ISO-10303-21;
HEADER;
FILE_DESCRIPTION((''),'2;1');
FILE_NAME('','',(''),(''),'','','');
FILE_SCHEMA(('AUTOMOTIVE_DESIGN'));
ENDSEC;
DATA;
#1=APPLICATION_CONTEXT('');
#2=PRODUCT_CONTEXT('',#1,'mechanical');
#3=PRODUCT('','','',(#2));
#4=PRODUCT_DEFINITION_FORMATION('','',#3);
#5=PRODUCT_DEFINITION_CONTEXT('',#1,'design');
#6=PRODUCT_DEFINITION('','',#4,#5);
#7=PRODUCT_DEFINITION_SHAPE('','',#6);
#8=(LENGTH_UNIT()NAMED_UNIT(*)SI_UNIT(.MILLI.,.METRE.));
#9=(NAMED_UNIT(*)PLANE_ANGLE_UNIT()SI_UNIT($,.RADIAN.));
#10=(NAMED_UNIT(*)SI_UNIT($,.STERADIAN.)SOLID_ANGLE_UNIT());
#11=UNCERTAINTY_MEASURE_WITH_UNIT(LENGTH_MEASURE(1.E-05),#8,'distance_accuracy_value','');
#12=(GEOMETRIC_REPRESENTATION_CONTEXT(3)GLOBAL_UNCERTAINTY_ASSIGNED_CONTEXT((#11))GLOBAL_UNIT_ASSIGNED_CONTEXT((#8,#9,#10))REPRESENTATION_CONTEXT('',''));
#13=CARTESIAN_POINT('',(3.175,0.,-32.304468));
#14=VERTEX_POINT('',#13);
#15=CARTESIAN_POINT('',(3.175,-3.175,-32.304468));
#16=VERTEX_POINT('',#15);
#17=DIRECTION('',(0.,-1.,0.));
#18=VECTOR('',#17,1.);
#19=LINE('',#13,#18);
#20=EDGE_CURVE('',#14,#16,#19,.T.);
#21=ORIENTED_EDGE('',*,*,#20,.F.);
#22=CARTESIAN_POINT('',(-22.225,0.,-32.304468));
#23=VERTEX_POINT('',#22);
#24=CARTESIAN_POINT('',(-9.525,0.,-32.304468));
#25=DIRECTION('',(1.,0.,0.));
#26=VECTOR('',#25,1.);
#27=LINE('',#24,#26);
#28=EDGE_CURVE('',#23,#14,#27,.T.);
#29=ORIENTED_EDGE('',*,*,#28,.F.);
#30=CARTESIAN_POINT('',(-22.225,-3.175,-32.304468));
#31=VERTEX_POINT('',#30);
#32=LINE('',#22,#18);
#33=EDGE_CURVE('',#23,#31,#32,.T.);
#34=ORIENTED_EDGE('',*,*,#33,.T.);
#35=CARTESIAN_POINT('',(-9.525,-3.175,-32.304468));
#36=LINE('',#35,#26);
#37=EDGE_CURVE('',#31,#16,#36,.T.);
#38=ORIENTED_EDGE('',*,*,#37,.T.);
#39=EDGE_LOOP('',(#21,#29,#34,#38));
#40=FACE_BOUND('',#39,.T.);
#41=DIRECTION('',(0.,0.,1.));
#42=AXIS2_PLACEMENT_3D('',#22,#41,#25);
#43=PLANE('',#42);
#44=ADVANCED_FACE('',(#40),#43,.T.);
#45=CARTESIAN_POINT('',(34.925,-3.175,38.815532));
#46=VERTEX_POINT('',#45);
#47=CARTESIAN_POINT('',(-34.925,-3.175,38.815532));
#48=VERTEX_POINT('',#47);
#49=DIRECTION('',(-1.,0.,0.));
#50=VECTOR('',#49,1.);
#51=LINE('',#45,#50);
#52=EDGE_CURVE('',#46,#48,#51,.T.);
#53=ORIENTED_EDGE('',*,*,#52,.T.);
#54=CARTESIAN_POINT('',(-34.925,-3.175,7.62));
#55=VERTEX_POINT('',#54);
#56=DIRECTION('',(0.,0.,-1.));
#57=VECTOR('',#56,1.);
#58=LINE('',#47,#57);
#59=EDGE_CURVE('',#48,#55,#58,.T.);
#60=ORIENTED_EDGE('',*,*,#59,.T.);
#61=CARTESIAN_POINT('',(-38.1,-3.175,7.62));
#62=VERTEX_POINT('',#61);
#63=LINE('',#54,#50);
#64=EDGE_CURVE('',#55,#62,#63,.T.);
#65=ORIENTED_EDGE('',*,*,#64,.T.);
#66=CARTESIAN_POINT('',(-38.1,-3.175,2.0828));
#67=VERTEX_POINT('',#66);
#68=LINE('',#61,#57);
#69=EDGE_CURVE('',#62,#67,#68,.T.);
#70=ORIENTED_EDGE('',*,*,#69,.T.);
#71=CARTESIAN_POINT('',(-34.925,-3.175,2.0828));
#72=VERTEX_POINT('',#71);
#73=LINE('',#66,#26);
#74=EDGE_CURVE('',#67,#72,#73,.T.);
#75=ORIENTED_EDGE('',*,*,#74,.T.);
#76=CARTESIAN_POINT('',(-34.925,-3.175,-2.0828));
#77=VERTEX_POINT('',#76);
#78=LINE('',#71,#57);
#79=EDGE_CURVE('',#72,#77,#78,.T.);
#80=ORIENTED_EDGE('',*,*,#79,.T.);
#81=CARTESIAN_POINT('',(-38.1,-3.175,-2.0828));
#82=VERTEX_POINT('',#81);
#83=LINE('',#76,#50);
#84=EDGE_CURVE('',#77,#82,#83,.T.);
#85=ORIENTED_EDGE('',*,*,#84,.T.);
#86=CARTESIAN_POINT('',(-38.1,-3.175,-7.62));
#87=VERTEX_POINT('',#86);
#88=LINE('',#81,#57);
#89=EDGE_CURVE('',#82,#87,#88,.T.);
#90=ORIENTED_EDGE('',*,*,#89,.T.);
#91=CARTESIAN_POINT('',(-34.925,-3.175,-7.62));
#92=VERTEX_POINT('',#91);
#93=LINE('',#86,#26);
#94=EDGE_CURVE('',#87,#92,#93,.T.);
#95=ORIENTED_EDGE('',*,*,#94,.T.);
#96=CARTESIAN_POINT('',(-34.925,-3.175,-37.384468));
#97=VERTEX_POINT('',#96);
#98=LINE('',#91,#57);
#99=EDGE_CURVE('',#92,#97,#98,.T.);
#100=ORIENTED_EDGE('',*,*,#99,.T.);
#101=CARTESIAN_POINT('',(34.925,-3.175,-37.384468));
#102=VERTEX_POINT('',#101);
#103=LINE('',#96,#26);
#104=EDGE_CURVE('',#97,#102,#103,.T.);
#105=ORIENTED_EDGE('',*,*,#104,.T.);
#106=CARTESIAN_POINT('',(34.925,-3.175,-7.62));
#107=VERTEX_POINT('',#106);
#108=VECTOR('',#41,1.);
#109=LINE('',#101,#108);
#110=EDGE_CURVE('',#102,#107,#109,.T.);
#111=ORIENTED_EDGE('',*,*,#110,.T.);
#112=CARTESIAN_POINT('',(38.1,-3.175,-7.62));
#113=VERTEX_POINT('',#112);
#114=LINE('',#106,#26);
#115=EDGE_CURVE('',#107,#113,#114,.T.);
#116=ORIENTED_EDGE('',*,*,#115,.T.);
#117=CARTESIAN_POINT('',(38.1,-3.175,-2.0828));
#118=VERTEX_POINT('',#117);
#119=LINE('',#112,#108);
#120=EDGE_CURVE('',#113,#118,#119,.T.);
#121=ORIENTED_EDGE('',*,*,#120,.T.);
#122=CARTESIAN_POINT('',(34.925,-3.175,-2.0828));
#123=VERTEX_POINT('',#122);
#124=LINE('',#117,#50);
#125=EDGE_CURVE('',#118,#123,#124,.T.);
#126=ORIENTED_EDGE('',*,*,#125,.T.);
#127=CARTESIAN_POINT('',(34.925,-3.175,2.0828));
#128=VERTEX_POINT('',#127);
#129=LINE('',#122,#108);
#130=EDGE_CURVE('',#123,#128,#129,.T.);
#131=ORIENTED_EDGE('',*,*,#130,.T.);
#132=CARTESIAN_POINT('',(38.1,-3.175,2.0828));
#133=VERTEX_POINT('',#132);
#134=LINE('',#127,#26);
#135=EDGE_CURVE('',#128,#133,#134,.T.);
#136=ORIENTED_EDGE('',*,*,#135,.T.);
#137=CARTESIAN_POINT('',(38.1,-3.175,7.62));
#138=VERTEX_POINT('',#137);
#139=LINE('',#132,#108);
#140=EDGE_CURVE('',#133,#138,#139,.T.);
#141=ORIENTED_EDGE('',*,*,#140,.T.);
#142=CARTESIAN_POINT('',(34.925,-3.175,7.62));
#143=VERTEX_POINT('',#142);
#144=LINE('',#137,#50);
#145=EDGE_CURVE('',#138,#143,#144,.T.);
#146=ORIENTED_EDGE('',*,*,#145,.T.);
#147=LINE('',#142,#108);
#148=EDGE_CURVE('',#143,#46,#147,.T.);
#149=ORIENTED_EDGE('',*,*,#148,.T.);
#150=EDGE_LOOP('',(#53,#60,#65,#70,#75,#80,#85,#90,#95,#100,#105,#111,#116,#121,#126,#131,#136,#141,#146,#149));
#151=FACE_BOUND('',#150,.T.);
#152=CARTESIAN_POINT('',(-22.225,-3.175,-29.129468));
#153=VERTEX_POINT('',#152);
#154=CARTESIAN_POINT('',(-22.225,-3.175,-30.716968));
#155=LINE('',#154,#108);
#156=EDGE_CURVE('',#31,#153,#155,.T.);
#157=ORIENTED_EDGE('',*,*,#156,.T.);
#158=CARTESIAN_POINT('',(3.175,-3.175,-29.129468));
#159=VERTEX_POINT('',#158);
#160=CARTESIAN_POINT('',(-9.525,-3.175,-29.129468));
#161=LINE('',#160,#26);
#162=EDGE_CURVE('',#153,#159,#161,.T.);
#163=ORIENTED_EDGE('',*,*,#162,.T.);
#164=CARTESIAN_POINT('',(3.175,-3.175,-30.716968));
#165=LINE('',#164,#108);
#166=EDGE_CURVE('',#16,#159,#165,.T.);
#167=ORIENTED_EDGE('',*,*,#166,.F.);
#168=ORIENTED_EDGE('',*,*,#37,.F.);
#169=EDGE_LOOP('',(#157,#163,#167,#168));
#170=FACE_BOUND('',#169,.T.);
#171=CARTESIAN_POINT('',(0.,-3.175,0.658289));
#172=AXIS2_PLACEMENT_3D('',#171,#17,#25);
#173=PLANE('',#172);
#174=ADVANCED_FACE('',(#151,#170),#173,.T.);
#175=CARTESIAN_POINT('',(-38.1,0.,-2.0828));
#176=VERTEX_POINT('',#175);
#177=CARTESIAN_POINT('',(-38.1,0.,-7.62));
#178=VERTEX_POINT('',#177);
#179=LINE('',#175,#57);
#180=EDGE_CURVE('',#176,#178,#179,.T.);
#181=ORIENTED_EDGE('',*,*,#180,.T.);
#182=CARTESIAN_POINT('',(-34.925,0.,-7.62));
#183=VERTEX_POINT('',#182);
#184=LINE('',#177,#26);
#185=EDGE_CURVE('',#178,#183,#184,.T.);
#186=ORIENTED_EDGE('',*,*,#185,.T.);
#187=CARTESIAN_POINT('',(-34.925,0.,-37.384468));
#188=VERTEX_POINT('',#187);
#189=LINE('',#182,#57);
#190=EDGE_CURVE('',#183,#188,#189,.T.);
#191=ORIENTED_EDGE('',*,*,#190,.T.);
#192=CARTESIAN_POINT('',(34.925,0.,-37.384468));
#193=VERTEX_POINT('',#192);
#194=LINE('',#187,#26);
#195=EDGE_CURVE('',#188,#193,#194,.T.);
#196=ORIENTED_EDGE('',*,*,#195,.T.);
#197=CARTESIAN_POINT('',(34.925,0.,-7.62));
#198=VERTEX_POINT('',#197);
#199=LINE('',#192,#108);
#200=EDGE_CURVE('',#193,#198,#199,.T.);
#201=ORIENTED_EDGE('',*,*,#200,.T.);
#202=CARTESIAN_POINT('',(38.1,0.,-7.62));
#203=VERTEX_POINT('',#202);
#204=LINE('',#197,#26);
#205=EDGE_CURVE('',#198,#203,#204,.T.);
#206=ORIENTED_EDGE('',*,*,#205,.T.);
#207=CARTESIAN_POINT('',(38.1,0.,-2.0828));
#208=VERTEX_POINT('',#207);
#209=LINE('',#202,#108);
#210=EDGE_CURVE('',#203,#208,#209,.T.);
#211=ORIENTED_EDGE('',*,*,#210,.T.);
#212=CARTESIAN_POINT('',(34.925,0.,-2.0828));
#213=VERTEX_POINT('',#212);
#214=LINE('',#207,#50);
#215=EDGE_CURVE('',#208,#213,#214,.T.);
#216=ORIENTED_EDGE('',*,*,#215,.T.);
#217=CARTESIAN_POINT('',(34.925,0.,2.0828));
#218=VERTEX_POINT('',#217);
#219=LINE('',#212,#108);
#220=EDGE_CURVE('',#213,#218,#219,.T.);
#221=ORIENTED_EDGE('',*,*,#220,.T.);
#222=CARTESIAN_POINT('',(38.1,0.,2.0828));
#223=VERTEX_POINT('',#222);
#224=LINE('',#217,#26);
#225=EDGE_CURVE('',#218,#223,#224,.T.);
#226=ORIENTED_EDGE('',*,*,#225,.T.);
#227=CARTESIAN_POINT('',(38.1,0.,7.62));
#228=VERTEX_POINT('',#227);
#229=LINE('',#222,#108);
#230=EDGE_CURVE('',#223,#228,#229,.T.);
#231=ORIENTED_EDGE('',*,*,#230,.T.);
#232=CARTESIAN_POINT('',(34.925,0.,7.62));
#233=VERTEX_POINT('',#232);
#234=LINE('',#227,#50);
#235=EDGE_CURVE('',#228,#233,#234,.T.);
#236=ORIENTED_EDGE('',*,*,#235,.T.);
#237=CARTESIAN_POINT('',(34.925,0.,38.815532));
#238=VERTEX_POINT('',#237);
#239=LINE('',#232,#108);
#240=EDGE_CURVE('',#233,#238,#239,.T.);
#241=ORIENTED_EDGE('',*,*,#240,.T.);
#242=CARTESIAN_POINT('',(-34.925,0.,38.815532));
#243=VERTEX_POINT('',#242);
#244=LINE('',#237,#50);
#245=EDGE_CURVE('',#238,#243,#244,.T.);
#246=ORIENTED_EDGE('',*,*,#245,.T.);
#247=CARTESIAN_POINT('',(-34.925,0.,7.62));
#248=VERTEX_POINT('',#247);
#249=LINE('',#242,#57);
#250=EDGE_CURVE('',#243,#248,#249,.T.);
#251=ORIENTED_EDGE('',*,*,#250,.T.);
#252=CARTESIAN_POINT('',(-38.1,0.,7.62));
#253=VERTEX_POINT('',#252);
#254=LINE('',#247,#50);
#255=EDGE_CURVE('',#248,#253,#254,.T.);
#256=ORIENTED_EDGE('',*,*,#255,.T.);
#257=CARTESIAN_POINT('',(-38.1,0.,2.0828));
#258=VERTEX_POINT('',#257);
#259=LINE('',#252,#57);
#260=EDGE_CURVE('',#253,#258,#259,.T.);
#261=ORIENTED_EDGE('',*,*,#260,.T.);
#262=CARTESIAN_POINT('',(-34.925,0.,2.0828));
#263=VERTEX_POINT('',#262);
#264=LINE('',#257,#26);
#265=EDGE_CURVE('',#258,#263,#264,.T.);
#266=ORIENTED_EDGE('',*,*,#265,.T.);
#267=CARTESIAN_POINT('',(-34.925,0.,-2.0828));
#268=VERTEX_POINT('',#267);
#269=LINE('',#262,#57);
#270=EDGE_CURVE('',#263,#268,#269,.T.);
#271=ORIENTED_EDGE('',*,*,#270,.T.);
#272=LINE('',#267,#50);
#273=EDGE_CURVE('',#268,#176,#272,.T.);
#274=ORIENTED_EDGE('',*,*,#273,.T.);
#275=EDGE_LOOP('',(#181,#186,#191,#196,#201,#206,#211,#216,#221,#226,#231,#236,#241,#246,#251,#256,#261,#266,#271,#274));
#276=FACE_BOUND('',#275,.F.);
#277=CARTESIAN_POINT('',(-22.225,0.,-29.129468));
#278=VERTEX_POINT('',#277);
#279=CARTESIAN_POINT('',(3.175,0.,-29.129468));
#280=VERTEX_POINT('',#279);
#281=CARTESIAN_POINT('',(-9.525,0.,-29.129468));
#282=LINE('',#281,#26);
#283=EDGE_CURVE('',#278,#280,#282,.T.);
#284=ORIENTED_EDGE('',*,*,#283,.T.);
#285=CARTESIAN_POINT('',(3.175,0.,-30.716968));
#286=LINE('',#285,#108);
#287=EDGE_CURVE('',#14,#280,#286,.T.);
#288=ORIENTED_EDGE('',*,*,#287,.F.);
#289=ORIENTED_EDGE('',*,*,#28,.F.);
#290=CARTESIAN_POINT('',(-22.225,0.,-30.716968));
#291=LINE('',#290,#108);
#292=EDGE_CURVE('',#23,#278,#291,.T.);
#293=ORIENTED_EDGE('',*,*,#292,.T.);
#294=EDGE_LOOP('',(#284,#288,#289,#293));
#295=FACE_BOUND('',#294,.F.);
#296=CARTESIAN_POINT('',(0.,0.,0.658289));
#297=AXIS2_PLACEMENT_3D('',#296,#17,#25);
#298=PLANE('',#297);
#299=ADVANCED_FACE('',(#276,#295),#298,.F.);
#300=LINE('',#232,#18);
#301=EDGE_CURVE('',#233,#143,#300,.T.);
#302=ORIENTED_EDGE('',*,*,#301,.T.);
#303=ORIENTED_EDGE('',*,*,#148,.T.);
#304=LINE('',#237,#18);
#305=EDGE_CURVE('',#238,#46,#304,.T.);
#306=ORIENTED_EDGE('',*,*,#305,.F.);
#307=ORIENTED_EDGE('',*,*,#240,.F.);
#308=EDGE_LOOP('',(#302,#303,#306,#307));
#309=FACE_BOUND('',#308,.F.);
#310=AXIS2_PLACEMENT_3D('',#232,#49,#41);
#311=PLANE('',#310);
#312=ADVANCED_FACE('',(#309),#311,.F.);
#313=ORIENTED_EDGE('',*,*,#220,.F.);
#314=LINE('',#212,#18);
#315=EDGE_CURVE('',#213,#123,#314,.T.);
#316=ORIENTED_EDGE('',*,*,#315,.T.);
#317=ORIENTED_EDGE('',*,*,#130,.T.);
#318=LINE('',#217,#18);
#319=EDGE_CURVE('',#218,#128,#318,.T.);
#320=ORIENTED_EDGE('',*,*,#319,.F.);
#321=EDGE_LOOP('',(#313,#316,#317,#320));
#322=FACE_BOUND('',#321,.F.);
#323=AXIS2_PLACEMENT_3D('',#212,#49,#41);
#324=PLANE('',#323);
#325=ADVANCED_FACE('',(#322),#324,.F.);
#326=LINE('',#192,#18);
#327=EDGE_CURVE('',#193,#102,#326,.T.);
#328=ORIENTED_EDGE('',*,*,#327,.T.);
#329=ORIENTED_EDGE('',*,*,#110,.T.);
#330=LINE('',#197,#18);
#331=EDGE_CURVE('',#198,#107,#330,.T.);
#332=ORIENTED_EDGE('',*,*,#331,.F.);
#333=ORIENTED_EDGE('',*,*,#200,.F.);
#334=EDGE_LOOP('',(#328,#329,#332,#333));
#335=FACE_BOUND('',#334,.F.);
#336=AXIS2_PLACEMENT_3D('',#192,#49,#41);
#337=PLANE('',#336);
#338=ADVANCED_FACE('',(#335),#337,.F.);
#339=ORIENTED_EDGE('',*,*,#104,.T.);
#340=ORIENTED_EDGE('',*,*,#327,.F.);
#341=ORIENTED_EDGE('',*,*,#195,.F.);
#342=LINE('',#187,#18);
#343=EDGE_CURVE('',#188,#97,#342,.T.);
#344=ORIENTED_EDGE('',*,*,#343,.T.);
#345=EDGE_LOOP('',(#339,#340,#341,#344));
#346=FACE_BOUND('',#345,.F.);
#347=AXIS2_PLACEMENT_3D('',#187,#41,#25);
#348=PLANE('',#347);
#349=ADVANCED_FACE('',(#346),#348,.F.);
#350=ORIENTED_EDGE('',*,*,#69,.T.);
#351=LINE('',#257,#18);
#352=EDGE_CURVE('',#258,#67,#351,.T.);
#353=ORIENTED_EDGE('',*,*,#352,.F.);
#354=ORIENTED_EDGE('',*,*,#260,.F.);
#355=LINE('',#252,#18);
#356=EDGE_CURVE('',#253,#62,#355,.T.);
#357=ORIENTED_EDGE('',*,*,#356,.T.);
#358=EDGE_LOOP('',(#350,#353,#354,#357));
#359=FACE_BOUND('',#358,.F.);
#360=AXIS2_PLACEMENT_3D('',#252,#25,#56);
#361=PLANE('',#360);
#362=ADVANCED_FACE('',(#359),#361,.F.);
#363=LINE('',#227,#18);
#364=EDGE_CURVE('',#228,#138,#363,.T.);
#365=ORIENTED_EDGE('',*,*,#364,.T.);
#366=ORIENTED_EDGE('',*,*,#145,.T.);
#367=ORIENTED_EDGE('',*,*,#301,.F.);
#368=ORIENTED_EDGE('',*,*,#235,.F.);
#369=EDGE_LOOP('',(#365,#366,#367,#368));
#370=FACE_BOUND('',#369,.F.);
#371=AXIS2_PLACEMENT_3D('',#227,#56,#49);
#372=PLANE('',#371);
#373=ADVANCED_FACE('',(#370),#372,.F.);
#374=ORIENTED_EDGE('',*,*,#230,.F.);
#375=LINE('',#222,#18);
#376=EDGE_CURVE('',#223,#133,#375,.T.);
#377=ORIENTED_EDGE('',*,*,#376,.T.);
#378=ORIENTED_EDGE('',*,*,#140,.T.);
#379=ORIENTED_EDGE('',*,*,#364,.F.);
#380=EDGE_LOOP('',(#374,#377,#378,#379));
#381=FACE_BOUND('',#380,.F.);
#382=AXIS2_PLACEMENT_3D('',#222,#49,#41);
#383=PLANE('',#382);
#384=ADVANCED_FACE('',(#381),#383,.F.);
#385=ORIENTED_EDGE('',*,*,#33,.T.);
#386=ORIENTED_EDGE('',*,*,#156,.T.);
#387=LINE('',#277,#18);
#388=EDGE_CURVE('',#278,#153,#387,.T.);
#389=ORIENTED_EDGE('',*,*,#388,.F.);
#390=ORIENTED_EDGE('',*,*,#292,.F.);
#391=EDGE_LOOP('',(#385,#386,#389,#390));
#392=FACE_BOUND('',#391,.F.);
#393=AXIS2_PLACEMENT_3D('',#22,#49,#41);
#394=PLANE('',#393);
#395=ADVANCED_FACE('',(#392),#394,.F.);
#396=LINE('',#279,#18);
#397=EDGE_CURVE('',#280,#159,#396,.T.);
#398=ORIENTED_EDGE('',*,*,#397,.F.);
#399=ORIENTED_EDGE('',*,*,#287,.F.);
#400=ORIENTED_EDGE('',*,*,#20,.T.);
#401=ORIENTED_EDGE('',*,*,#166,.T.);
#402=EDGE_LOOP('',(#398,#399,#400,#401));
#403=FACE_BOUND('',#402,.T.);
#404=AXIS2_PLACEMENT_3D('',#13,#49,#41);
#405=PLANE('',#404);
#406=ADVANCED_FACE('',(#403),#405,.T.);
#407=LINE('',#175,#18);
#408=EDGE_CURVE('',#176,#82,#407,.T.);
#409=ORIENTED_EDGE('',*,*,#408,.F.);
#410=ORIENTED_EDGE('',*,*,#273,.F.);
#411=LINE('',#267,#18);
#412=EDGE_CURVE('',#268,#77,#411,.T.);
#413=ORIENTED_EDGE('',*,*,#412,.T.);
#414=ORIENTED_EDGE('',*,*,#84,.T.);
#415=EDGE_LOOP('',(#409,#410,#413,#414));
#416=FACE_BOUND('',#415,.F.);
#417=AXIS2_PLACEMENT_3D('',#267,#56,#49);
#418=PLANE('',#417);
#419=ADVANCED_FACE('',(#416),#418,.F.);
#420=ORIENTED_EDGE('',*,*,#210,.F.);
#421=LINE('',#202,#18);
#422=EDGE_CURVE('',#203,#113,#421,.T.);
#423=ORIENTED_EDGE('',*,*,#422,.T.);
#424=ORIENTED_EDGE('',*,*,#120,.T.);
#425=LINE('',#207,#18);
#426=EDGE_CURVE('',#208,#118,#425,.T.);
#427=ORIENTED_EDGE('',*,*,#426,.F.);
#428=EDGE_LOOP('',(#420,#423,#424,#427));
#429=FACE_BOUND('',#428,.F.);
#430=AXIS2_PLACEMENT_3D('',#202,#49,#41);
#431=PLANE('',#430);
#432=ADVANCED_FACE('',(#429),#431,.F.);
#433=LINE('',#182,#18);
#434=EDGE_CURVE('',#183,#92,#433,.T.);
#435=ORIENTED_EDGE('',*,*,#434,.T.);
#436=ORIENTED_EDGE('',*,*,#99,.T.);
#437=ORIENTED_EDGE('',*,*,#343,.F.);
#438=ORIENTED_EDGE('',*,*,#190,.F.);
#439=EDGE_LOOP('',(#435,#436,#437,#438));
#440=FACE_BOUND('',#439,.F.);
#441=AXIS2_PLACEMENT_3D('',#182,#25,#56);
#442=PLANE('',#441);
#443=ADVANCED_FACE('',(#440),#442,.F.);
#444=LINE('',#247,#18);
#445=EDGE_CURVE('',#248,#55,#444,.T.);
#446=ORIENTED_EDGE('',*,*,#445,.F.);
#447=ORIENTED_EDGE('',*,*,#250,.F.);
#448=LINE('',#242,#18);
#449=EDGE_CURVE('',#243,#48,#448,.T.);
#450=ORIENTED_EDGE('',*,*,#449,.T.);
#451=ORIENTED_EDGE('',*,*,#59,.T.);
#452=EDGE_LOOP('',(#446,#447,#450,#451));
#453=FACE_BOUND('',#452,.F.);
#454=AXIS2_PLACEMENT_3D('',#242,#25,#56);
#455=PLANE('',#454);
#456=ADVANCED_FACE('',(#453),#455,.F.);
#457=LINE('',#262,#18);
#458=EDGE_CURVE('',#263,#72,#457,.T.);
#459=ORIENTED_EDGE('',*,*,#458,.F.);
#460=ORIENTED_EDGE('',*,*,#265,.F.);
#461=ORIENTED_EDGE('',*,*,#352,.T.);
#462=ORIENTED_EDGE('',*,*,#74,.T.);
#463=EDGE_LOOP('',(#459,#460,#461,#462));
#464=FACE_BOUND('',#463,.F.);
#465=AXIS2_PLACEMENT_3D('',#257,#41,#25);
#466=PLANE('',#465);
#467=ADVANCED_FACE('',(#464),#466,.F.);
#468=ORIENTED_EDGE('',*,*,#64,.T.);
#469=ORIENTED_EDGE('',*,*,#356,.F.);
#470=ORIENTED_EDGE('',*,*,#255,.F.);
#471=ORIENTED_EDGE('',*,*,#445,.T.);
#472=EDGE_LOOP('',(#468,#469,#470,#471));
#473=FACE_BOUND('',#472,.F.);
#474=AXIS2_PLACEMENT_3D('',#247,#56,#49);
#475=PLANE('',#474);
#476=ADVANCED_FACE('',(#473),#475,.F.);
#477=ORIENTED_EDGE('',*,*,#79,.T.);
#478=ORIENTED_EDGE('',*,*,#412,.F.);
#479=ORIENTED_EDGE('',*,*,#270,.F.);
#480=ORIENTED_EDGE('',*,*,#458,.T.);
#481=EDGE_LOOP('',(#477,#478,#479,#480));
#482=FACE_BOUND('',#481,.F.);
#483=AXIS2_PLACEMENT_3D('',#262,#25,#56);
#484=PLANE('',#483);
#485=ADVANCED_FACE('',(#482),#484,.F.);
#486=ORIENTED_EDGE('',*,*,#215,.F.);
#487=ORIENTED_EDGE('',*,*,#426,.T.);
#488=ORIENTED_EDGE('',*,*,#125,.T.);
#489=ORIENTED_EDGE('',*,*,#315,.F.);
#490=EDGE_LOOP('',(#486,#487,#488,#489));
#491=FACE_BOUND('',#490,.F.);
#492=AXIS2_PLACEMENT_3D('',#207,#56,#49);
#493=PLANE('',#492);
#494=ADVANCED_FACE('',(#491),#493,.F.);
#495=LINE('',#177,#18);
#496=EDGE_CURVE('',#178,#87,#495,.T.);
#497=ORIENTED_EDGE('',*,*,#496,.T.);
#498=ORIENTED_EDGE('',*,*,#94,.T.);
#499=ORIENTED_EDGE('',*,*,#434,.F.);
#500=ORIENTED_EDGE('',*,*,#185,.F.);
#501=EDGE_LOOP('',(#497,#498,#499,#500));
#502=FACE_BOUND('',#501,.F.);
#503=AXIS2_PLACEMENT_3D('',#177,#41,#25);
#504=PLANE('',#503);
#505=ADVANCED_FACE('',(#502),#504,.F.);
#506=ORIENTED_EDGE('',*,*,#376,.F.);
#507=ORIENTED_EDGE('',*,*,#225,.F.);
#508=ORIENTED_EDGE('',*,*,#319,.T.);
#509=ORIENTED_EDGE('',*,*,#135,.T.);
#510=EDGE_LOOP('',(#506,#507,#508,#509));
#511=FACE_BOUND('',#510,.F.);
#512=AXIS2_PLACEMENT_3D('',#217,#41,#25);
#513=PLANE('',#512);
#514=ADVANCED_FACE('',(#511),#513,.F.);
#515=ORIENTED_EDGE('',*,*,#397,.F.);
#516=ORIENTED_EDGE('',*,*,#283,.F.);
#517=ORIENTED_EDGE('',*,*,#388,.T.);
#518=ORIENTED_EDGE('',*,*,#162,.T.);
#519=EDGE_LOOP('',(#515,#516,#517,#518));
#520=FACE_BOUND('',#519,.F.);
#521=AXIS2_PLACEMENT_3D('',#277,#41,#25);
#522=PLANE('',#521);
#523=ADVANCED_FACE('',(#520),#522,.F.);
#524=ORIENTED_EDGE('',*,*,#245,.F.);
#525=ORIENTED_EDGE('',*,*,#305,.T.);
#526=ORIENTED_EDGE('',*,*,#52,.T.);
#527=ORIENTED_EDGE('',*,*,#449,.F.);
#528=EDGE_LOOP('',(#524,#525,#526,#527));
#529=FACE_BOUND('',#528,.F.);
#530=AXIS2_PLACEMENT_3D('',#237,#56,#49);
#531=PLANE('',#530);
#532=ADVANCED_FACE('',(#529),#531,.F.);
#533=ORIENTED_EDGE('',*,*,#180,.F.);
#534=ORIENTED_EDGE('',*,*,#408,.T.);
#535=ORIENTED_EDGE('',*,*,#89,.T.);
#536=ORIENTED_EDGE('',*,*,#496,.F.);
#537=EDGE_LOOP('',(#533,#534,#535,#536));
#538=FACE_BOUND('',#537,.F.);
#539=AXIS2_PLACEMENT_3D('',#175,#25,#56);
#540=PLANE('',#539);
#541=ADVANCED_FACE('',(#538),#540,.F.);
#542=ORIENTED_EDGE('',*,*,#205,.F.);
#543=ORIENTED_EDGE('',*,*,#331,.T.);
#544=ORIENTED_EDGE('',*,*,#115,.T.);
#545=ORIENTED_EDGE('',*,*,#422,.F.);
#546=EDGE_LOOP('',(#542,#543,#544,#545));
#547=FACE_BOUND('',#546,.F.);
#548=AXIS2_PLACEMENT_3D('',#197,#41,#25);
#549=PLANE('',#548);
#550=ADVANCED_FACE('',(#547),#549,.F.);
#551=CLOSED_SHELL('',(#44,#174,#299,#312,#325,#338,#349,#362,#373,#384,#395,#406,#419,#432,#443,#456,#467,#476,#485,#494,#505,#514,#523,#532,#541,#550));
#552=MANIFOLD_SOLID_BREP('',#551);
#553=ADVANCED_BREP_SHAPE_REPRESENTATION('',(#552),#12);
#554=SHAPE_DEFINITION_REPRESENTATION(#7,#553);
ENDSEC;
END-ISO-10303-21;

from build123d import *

# Parameters (mm, degrees)
F0_W     = 25.4
F0_H     = 3.175
F1_DEPTH = 3.175


with BuildPart() as f1:
    # F0 (on Front) → F1 (new body)
    with BuildSketch(Plane.XZ):
        Polygon((-34.925, -37.384468), (34.925, -37.384468), (34.925, -7.62), (38.1, -7.62), (38.1, -2.0828), (34.925, -2.0828), (34.925, 2.0828), (38.1, 2.0828), (38.1, 7.62), (34.925, 7.62), (34.925, 38.815532), (-34.925, 38.815532), (-34.925, 7.62), (-38.1, 7.62), (-38.1, 2.0828), (-34.925, 2.0828), (-34.925, -2.0828), (-38.1, -2.0828), (-38.1, -7.62), (-34.925, -7.62), align=None)
        with Locations((-9.525, -30.716968)):
            Rectangle(F0_W, F0_H, mode=Mode.SUBTRACT)
    extrude(amount=F1_DEPTH)


solid = f1.part
